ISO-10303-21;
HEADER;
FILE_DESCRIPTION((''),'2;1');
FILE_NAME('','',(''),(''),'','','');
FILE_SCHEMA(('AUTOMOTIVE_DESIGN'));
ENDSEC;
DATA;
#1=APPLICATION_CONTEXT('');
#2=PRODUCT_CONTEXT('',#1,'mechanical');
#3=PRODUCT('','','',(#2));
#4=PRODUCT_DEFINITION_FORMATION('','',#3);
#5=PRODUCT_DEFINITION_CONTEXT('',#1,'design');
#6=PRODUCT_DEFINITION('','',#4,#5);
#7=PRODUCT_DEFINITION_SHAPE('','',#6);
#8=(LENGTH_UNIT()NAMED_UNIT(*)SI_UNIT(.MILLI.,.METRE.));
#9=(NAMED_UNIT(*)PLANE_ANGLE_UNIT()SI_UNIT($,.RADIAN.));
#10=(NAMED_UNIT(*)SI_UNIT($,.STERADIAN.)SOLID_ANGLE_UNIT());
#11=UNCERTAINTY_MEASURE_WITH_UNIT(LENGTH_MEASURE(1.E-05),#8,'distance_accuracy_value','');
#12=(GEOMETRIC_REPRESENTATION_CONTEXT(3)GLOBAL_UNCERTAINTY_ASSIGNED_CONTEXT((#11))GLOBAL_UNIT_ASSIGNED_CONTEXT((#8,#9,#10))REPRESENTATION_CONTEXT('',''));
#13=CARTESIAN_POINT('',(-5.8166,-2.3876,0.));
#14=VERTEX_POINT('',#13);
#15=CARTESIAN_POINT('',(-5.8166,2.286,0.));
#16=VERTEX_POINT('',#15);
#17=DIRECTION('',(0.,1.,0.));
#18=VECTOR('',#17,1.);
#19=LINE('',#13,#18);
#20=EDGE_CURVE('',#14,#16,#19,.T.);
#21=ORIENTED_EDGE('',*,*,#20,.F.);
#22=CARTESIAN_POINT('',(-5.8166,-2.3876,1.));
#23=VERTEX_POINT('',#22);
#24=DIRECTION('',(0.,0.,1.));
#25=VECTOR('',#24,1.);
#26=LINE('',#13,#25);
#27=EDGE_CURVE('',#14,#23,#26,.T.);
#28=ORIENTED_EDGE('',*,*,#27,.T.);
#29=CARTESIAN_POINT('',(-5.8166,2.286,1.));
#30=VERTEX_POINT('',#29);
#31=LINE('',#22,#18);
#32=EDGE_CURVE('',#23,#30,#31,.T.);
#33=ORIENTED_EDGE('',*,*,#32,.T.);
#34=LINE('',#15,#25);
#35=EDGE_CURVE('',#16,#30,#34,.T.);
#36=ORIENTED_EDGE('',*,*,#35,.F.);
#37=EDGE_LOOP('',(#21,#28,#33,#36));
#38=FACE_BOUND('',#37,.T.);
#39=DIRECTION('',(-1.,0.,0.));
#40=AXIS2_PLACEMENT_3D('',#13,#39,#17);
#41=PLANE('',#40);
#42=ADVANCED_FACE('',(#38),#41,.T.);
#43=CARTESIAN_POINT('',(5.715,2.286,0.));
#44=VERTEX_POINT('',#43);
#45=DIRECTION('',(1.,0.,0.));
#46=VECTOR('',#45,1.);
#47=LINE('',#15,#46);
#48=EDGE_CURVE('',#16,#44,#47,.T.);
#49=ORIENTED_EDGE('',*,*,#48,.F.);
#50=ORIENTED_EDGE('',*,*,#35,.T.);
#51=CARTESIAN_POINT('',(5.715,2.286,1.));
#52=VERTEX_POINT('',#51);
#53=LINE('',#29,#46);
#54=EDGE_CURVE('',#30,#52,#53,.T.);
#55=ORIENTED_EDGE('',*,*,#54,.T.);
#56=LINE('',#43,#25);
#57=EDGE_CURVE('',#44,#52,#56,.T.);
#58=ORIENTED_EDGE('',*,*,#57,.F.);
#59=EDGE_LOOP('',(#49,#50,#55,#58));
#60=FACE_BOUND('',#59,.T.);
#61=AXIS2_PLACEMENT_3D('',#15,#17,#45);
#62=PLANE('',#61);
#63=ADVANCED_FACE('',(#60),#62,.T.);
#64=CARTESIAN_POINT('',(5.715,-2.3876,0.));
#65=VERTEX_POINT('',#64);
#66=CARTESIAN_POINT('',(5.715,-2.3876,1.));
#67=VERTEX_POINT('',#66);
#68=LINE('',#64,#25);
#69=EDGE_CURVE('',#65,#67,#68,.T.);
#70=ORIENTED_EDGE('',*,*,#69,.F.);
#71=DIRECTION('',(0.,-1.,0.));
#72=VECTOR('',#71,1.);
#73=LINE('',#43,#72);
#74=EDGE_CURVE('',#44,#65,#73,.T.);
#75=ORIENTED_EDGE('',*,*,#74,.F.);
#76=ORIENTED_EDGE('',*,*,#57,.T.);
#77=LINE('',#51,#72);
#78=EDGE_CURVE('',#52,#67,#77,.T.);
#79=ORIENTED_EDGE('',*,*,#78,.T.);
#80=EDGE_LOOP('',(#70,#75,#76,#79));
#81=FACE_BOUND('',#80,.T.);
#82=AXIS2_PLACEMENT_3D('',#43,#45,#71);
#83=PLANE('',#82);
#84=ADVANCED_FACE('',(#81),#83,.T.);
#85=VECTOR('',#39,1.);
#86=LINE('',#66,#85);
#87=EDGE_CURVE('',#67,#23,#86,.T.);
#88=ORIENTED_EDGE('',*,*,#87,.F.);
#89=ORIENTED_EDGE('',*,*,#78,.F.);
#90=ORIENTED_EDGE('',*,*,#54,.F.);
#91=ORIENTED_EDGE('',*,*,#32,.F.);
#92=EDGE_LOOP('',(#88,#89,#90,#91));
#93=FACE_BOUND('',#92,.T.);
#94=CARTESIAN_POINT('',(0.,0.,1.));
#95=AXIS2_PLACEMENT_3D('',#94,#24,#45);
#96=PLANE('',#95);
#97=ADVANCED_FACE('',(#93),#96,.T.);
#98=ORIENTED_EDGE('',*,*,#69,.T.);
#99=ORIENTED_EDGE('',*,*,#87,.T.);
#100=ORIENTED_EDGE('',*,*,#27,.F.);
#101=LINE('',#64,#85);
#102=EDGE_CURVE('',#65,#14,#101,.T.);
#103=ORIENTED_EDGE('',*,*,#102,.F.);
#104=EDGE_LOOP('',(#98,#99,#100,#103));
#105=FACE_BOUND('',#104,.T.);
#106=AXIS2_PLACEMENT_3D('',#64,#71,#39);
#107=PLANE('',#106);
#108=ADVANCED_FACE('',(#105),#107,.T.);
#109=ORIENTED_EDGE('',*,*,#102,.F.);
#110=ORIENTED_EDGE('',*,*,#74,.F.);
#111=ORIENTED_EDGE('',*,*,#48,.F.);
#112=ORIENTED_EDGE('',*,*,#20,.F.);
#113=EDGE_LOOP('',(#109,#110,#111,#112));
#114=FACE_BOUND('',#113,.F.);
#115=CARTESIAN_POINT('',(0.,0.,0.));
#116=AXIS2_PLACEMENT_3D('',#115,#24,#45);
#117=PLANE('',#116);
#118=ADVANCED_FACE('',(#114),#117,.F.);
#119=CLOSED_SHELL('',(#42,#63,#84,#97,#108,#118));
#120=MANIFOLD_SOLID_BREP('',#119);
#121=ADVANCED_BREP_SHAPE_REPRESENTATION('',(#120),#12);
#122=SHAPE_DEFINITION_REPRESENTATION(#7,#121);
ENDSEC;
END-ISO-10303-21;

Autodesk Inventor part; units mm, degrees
ref_plane "YZ Plane" through (0, 0, 0) normal (1, 0, 0) x (0, 1, 0)
ref_plane "XZ Plane" through (0, 0, 0) normal (0, 1, 0) x (-1, 0, 0)
ref_plane "XY Plane" through (0, 0, 0) normal (0, 0, 1) x (1, 0, 0)
sketch "HC49US, 16MHZ_63" plane through (0, 0, 0) normal (0, 0, 1) x (1, 0, 0)
  line L0 (-5.8166, 2.286) -> (5.715, 2.286)
  line L1 (5.715, 2.286) -> (5.715, -2.3876)
  line L2 (5.715, -2.3876) -> (-5.8166, -2.3876)
  line L3 (-5.8166, -2.3876) -> (-5.8166, 2.286)
extrude "Extrusion1" add sketch "HC49US, 16MHZ_63" along normal blind 1
properties part number "16MHZ"
